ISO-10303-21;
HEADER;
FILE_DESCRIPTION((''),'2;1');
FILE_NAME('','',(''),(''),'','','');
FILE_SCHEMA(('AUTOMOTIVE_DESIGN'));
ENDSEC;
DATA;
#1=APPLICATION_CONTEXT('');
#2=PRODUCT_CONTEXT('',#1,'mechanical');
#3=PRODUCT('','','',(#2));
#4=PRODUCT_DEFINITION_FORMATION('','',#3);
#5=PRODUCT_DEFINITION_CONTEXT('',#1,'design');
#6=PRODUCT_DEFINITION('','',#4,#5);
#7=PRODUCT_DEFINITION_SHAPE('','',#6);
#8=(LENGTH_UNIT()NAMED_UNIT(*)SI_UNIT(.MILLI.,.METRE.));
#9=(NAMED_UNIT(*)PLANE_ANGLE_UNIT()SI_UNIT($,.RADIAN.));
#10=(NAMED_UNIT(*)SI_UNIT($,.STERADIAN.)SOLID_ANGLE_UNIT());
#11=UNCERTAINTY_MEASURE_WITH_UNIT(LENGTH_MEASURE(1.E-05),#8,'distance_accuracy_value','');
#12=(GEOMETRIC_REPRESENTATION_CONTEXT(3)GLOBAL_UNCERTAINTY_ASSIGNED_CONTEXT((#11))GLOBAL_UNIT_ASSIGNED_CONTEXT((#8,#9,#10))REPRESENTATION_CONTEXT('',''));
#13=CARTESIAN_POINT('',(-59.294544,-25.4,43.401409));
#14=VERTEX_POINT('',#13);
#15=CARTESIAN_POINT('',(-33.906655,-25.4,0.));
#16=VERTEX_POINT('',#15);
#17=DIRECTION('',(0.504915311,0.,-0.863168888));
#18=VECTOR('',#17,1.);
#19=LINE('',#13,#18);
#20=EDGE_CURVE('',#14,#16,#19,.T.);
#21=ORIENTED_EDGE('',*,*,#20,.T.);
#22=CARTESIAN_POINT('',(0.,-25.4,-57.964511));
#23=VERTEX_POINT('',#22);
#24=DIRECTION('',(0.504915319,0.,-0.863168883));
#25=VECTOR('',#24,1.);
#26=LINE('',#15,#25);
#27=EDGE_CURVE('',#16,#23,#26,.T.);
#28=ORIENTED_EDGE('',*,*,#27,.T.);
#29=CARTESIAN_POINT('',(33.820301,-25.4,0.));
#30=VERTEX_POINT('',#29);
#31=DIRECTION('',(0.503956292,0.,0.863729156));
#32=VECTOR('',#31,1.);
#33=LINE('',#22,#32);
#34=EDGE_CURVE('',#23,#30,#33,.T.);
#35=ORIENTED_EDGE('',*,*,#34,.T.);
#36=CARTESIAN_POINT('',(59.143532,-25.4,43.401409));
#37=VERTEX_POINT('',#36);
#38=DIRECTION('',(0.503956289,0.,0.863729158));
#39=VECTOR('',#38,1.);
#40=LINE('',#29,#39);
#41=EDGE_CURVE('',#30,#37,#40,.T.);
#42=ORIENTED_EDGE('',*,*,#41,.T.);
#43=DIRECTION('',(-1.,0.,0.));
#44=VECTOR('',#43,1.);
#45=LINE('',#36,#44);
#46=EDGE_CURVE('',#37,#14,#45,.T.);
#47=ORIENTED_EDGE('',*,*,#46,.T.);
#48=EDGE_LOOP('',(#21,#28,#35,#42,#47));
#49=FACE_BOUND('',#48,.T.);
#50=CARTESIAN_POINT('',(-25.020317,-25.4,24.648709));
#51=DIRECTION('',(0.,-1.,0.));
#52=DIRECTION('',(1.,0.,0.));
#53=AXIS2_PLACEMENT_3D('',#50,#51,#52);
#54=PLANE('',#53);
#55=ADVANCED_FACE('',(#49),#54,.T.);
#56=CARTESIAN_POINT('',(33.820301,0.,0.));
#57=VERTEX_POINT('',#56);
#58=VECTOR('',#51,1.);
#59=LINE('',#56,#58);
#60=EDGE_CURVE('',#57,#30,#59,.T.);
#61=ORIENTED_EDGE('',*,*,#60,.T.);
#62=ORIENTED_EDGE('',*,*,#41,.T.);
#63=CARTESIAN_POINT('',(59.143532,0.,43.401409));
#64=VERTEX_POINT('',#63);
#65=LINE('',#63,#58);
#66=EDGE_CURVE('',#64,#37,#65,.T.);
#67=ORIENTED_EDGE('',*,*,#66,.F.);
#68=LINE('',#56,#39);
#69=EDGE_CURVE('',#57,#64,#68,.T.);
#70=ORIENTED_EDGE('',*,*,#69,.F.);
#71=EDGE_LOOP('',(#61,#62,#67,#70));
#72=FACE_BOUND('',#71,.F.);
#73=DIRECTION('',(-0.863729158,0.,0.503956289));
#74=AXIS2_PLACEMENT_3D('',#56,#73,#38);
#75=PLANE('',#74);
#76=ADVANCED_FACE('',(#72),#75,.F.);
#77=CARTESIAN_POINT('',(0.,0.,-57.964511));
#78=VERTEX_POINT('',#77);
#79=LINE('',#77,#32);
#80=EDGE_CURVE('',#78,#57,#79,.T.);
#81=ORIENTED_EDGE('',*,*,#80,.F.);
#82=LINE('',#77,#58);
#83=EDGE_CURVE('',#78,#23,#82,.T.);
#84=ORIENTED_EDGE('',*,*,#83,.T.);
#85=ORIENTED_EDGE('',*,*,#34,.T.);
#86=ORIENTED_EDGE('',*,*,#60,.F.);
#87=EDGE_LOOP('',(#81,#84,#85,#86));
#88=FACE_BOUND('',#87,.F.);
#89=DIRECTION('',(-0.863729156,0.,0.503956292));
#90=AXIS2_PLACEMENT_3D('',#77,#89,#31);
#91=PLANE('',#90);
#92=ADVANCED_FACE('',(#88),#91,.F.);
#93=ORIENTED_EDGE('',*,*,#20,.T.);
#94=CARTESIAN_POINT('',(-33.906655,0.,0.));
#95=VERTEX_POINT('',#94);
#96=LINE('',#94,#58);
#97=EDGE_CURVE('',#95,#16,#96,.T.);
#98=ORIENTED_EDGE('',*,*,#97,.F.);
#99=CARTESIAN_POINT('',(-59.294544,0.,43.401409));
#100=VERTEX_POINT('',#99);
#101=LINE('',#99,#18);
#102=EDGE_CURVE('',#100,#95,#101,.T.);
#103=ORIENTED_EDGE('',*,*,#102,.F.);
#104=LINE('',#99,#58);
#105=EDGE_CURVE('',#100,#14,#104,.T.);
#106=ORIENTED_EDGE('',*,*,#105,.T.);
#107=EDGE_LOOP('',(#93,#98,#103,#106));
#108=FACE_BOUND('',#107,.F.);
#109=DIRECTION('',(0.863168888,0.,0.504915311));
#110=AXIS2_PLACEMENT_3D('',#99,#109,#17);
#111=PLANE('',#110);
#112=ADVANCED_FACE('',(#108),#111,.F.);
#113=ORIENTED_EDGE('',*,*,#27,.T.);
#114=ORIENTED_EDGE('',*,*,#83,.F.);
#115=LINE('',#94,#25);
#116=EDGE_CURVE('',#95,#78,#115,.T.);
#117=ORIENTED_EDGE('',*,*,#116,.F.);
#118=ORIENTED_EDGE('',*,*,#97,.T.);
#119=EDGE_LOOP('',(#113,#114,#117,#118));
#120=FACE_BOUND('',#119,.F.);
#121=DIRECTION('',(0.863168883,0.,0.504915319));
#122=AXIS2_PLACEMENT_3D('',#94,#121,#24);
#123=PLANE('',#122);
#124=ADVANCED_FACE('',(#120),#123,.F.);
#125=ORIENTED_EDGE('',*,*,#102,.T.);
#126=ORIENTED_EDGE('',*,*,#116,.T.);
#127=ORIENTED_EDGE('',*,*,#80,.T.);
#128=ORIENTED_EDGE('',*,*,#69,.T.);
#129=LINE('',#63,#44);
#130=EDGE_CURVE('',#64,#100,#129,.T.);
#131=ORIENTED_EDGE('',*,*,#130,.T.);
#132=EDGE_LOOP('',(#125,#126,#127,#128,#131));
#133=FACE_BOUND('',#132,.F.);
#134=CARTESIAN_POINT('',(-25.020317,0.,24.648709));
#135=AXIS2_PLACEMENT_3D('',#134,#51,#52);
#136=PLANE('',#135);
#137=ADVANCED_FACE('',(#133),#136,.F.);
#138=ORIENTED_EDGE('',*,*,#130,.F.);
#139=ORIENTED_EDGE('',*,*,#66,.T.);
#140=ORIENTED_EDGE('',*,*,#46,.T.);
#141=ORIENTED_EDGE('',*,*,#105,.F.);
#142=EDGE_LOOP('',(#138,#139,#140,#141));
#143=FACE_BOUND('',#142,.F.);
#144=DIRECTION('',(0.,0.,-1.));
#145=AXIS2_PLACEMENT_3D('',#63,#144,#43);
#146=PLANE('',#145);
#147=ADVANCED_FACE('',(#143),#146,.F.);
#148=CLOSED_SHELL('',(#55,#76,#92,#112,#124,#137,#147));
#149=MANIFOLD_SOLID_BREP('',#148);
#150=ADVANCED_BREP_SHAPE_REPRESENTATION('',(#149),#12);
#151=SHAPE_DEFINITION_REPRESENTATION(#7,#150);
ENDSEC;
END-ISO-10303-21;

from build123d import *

# Parameters (mm, degrees)
F1_DEPTH = 25.4


with BuildPart() as f1:
    # F0 (on Front) → F1 (new body)
    with BuildSketch(Plane.XZ):
        Polygon((0, 43.401409), (-59.294544, 43.401409), (-33.906655, 0), (0, 0), align=None)
        Polygon((59.143532, 43.401409), (0, 43.401409), (0, 0), (15.39614, 0), (33.820301, 0), align=None)
        Polygon((0, 0), (-33.906655, 0), (0, -57.964511), align=None)
        Polygon((15.39614, 0), (0, 0), (0, -57.964511), (33.820301, 0), align=None)
    extrude(amount=F1_DEPTH)


solid = f1.part
